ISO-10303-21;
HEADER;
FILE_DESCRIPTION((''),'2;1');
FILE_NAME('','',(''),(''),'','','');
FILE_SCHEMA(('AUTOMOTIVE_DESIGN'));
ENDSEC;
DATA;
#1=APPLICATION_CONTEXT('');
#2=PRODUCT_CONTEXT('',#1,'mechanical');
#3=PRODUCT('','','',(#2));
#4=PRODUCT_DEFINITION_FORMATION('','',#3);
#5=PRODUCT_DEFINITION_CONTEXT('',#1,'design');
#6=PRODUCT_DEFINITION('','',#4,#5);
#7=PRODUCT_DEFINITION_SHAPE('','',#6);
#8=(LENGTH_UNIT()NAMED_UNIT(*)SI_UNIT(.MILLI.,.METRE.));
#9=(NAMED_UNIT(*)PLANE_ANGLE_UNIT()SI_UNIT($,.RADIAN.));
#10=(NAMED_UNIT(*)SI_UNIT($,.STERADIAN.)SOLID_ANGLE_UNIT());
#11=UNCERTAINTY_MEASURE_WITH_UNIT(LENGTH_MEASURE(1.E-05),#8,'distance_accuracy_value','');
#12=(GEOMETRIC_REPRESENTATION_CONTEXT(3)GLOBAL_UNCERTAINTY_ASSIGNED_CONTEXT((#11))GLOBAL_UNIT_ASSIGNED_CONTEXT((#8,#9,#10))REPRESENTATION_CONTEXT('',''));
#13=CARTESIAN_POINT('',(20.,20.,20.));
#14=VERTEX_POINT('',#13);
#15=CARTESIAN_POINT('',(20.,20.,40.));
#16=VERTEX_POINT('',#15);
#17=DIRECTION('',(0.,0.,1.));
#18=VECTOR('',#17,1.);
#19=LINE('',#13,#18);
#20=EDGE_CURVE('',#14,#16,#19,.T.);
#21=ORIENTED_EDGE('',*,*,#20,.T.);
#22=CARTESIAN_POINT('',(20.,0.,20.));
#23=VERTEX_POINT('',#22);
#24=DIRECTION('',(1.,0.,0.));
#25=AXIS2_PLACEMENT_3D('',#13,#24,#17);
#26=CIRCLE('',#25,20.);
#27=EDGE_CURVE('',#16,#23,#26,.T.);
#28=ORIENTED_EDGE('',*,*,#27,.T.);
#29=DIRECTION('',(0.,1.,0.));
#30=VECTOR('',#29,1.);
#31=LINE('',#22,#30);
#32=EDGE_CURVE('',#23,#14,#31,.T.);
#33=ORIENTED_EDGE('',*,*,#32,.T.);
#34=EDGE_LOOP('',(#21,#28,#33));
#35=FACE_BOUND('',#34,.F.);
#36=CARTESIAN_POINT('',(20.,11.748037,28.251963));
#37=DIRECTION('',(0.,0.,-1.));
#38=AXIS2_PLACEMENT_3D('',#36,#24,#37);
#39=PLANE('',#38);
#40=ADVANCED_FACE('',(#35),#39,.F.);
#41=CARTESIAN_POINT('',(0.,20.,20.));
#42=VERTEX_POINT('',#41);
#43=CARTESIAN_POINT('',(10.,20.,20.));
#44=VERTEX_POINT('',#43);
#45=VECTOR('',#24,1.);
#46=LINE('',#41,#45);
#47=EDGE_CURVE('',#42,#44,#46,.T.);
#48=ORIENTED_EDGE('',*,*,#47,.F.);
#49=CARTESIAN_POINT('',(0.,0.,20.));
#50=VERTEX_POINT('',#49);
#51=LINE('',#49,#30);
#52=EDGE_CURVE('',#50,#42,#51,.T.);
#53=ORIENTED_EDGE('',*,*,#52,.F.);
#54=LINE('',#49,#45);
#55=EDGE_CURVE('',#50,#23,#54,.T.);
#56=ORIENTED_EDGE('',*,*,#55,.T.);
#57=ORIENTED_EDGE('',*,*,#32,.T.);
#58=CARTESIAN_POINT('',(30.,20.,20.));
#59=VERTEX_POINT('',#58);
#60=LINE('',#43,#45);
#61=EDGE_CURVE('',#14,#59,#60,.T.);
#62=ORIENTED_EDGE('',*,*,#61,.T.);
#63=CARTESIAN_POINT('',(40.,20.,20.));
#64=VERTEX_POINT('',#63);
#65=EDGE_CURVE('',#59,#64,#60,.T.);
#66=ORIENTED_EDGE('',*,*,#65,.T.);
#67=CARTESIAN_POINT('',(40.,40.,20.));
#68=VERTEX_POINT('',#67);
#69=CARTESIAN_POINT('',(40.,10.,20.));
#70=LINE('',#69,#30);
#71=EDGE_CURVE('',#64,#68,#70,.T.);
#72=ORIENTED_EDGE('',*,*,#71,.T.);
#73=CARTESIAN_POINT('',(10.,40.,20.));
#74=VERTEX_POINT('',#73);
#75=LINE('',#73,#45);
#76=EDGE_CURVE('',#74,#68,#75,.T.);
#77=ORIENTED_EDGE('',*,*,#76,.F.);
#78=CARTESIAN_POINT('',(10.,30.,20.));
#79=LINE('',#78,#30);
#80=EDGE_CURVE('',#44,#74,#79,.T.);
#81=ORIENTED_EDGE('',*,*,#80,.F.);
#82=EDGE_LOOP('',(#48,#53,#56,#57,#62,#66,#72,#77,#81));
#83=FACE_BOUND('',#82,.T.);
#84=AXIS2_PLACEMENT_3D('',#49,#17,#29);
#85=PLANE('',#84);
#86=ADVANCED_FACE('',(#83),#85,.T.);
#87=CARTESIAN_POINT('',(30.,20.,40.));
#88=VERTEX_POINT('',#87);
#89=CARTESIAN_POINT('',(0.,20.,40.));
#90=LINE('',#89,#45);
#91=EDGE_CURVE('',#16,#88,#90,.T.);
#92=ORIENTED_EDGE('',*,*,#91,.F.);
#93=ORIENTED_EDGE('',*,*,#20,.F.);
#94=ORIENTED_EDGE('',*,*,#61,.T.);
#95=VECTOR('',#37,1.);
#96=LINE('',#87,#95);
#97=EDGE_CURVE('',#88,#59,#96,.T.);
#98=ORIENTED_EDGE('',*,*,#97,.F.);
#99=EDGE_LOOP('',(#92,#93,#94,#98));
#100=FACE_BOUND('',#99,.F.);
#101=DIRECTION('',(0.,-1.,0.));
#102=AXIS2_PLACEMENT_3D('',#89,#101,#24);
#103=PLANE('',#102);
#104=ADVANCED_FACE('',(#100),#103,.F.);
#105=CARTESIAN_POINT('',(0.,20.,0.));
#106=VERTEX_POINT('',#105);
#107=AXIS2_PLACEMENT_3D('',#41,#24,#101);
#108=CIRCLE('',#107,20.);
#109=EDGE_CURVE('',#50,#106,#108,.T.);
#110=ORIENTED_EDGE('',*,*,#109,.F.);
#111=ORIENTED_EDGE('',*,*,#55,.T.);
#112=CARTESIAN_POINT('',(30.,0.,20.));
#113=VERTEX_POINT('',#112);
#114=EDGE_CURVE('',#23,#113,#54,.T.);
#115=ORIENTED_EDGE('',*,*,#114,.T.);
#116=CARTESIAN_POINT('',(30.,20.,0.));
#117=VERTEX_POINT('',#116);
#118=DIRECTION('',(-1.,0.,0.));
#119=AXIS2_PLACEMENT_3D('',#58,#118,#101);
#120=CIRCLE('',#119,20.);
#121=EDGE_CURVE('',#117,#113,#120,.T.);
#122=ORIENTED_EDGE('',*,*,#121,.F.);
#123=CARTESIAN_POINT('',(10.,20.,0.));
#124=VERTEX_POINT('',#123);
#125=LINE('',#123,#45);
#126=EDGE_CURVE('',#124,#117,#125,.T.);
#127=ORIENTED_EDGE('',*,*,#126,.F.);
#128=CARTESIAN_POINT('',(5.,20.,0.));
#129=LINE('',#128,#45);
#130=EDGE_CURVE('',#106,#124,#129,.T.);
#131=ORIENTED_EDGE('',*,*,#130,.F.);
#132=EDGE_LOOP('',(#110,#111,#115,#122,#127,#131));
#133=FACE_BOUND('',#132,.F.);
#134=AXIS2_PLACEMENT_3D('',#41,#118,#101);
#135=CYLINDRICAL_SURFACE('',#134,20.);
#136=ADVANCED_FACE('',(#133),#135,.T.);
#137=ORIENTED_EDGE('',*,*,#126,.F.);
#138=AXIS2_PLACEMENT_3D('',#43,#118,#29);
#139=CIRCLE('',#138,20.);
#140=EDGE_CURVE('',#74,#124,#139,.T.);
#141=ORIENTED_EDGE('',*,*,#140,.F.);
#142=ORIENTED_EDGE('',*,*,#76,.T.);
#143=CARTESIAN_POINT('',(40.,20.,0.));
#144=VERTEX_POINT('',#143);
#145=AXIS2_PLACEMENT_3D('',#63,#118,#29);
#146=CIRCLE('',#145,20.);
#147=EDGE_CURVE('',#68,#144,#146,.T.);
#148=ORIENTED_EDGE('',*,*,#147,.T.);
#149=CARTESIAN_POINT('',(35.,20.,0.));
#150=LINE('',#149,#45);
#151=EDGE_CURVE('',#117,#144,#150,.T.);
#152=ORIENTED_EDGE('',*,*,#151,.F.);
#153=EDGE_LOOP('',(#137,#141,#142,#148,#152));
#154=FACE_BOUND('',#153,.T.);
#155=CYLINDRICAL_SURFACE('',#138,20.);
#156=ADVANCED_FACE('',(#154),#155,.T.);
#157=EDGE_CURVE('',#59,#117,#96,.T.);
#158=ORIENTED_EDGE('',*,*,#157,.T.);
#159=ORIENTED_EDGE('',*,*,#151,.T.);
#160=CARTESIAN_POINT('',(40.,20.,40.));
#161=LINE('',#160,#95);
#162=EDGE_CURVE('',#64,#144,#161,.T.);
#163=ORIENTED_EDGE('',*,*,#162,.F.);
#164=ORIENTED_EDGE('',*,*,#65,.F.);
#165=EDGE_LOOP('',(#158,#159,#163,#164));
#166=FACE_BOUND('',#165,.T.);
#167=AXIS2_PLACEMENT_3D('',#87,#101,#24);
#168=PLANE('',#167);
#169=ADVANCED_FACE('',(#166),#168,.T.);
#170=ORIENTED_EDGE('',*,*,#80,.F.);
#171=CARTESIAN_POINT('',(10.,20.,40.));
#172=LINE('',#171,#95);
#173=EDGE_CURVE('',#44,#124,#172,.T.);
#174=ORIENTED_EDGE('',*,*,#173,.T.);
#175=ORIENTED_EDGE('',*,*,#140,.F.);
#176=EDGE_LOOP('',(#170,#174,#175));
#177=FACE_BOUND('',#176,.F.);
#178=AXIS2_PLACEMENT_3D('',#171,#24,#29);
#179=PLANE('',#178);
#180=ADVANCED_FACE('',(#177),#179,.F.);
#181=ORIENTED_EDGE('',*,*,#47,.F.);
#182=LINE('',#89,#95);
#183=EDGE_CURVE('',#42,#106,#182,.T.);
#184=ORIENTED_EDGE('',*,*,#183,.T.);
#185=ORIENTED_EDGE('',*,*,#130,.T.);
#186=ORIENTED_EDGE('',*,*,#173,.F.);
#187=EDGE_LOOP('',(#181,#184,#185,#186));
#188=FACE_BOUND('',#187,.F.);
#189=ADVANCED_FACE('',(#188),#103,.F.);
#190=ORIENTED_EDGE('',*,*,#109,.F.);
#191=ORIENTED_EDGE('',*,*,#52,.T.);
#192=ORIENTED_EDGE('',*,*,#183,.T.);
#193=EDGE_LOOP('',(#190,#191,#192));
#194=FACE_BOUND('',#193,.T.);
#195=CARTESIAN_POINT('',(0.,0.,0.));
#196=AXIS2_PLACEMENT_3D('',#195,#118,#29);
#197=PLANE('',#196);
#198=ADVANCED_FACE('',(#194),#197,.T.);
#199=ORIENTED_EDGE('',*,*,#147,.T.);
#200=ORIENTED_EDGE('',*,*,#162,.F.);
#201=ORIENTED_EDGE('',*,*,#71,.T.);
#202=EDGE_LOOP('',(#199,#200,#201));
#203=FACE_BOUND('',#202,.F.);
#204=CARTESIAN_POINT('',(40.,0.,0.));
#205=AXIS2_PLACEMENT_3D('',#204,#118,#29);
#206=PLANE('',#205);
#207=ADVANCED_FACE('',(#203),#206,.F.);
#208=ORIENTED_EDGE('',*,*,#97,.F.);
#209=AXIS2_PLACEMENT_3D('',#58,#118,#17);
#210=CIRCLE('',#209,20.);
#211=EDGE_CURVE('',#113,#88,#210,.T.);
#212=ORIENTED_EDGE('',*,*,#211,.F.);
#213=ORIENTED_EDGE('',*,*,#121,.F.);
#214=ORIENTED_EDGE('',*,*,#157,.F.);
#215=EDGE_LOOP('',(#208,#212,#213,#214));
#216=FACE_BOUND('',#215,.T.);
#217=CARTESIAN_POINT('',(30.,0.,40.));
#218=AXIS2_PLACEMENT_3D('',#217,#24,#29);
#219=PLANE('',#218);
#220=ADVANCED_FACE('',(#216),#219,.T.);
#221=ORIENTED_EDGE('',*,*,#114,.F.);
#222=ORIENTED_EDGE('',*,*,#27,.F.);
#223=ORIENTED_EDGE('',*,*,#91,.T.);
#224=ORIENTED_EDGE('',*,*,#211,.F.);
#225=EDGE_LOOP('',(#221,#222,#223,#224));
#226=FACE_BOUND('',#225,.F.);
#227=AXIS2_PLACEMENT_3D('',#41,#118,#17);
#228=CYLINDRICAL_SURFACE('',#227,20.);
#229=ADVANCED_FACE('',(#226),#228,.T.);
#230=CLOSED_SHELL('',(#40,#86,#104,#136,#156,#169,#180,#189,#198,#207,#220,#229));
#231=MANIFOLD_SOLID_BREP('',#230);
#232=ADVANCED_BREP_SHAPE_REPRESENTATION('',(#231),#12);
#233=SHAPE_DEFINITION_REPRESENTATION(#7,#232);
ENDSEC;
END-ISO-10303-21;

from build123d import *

# Parameters (mm, degrees)
SKETCH1_W           = 40
SKETCH1_H           = 40
BOSS_EXTRUDE1_DEPTH = 40
SKETCH2_W           = 10
SKETCH2_H           = 20
CUT_EXTRUDE1_DEPTH  = 40
SKETCH3_W           = 20
SKETCH3_H           = 20
CUT_EXTRUDE2_DEPTH  = 40
CUT_EXTRUDE3_DEPTH  = 40
CUT_EXTRUDE4_DEPTH  = 40
CUT_EXTRUDE5_DEPTH  = 20


with BuildPart() as part:
    # Sketch1 → Boss-Extrude1 (new body)
    with BuildSketch(Plane.XY):
        with Locations((20, 20)):
            Rectangle(SKETCH1_W, SKETCH1_H)
    extrude(amount=BOSS_EXTRUDE1_DEPTH)

    # Sketch2 → Cut-Extrude1 (cut)
    with BuildSketch(Plane.XY.offset(40)):
        with Locations((5, 30)):
            Rectangle(SKETCH2_W, SKETCH2_H)
        with Locations((35, 10)):
            Rectangle(SKETCH2_W, SKETCH2_H)
    extrude(amount=-CUT_EXTRUDE1_DEPTH, mode=Mode.SUBTRACT)

    # Sketch3 → Cut-Extrude2 (cut)
    with BuildSketch(Plane.ZY.offset(-10)):
        with Locations((30, 30)):
            Rectangle(SKETCH3_W, SKETCH3_H)
    extrude(amount=-CUT_EXTRUDE2_DEPTH, mode=Mode.SUBTRACT)

    # Sketch4 → Cut-Extrude3 (cut)
    with BuildSketch(Plane.ZY.offset(-10)):
        with BuildLine():
            Line((0, 20), (0, 40))
            Line((0, 40), (20, 40))
            ThreePointArc((20, 40), (5.857864376, 34.142135624), (0, 20))
        make_face()
    extrude(amount=-CUT_EXTRUDE3_DEPTH, mode=Mode.SUBTRACT)

    # Sketch5 → Cut-Extrude4 (cut)
    with BuildSketch(Plane.ZY):
        with BuildLine():
            ThreePointArc((20, 0), (5.857864376, 5.857864376), (0, 20))
            Line((0, 20), (0, 0))
            Line((0, 0), (20, 0))
        make_face()
        with BuildLine():
            ThreePointArc((40, 20), (34.142135624, 5.857864376), (20, 0))
            Line((20, 0), (40, 0))
            Line((40, 0), (40, 20))
        make_face()
    extrude(amount=-CUT_EXTRUDE4_DEPTH, mode=Mode.SUBTRACT)

    # Sketch6 → Cut-Extrude5 (cut)
    with BuildSketch(Plane.ZY):
        with BuildLine():
            Line((20, 0), (20, 20))
            Line((20, 20), (40, 20))
            ThreePointArc((40, 20), (34.142135624, 5.857864376), (20, 0))
        make_face()
    extrude(amount=-CUT_EXTRUDE5_DEPTH, mode=Mode.SUBTRACT)


solid = part.part
